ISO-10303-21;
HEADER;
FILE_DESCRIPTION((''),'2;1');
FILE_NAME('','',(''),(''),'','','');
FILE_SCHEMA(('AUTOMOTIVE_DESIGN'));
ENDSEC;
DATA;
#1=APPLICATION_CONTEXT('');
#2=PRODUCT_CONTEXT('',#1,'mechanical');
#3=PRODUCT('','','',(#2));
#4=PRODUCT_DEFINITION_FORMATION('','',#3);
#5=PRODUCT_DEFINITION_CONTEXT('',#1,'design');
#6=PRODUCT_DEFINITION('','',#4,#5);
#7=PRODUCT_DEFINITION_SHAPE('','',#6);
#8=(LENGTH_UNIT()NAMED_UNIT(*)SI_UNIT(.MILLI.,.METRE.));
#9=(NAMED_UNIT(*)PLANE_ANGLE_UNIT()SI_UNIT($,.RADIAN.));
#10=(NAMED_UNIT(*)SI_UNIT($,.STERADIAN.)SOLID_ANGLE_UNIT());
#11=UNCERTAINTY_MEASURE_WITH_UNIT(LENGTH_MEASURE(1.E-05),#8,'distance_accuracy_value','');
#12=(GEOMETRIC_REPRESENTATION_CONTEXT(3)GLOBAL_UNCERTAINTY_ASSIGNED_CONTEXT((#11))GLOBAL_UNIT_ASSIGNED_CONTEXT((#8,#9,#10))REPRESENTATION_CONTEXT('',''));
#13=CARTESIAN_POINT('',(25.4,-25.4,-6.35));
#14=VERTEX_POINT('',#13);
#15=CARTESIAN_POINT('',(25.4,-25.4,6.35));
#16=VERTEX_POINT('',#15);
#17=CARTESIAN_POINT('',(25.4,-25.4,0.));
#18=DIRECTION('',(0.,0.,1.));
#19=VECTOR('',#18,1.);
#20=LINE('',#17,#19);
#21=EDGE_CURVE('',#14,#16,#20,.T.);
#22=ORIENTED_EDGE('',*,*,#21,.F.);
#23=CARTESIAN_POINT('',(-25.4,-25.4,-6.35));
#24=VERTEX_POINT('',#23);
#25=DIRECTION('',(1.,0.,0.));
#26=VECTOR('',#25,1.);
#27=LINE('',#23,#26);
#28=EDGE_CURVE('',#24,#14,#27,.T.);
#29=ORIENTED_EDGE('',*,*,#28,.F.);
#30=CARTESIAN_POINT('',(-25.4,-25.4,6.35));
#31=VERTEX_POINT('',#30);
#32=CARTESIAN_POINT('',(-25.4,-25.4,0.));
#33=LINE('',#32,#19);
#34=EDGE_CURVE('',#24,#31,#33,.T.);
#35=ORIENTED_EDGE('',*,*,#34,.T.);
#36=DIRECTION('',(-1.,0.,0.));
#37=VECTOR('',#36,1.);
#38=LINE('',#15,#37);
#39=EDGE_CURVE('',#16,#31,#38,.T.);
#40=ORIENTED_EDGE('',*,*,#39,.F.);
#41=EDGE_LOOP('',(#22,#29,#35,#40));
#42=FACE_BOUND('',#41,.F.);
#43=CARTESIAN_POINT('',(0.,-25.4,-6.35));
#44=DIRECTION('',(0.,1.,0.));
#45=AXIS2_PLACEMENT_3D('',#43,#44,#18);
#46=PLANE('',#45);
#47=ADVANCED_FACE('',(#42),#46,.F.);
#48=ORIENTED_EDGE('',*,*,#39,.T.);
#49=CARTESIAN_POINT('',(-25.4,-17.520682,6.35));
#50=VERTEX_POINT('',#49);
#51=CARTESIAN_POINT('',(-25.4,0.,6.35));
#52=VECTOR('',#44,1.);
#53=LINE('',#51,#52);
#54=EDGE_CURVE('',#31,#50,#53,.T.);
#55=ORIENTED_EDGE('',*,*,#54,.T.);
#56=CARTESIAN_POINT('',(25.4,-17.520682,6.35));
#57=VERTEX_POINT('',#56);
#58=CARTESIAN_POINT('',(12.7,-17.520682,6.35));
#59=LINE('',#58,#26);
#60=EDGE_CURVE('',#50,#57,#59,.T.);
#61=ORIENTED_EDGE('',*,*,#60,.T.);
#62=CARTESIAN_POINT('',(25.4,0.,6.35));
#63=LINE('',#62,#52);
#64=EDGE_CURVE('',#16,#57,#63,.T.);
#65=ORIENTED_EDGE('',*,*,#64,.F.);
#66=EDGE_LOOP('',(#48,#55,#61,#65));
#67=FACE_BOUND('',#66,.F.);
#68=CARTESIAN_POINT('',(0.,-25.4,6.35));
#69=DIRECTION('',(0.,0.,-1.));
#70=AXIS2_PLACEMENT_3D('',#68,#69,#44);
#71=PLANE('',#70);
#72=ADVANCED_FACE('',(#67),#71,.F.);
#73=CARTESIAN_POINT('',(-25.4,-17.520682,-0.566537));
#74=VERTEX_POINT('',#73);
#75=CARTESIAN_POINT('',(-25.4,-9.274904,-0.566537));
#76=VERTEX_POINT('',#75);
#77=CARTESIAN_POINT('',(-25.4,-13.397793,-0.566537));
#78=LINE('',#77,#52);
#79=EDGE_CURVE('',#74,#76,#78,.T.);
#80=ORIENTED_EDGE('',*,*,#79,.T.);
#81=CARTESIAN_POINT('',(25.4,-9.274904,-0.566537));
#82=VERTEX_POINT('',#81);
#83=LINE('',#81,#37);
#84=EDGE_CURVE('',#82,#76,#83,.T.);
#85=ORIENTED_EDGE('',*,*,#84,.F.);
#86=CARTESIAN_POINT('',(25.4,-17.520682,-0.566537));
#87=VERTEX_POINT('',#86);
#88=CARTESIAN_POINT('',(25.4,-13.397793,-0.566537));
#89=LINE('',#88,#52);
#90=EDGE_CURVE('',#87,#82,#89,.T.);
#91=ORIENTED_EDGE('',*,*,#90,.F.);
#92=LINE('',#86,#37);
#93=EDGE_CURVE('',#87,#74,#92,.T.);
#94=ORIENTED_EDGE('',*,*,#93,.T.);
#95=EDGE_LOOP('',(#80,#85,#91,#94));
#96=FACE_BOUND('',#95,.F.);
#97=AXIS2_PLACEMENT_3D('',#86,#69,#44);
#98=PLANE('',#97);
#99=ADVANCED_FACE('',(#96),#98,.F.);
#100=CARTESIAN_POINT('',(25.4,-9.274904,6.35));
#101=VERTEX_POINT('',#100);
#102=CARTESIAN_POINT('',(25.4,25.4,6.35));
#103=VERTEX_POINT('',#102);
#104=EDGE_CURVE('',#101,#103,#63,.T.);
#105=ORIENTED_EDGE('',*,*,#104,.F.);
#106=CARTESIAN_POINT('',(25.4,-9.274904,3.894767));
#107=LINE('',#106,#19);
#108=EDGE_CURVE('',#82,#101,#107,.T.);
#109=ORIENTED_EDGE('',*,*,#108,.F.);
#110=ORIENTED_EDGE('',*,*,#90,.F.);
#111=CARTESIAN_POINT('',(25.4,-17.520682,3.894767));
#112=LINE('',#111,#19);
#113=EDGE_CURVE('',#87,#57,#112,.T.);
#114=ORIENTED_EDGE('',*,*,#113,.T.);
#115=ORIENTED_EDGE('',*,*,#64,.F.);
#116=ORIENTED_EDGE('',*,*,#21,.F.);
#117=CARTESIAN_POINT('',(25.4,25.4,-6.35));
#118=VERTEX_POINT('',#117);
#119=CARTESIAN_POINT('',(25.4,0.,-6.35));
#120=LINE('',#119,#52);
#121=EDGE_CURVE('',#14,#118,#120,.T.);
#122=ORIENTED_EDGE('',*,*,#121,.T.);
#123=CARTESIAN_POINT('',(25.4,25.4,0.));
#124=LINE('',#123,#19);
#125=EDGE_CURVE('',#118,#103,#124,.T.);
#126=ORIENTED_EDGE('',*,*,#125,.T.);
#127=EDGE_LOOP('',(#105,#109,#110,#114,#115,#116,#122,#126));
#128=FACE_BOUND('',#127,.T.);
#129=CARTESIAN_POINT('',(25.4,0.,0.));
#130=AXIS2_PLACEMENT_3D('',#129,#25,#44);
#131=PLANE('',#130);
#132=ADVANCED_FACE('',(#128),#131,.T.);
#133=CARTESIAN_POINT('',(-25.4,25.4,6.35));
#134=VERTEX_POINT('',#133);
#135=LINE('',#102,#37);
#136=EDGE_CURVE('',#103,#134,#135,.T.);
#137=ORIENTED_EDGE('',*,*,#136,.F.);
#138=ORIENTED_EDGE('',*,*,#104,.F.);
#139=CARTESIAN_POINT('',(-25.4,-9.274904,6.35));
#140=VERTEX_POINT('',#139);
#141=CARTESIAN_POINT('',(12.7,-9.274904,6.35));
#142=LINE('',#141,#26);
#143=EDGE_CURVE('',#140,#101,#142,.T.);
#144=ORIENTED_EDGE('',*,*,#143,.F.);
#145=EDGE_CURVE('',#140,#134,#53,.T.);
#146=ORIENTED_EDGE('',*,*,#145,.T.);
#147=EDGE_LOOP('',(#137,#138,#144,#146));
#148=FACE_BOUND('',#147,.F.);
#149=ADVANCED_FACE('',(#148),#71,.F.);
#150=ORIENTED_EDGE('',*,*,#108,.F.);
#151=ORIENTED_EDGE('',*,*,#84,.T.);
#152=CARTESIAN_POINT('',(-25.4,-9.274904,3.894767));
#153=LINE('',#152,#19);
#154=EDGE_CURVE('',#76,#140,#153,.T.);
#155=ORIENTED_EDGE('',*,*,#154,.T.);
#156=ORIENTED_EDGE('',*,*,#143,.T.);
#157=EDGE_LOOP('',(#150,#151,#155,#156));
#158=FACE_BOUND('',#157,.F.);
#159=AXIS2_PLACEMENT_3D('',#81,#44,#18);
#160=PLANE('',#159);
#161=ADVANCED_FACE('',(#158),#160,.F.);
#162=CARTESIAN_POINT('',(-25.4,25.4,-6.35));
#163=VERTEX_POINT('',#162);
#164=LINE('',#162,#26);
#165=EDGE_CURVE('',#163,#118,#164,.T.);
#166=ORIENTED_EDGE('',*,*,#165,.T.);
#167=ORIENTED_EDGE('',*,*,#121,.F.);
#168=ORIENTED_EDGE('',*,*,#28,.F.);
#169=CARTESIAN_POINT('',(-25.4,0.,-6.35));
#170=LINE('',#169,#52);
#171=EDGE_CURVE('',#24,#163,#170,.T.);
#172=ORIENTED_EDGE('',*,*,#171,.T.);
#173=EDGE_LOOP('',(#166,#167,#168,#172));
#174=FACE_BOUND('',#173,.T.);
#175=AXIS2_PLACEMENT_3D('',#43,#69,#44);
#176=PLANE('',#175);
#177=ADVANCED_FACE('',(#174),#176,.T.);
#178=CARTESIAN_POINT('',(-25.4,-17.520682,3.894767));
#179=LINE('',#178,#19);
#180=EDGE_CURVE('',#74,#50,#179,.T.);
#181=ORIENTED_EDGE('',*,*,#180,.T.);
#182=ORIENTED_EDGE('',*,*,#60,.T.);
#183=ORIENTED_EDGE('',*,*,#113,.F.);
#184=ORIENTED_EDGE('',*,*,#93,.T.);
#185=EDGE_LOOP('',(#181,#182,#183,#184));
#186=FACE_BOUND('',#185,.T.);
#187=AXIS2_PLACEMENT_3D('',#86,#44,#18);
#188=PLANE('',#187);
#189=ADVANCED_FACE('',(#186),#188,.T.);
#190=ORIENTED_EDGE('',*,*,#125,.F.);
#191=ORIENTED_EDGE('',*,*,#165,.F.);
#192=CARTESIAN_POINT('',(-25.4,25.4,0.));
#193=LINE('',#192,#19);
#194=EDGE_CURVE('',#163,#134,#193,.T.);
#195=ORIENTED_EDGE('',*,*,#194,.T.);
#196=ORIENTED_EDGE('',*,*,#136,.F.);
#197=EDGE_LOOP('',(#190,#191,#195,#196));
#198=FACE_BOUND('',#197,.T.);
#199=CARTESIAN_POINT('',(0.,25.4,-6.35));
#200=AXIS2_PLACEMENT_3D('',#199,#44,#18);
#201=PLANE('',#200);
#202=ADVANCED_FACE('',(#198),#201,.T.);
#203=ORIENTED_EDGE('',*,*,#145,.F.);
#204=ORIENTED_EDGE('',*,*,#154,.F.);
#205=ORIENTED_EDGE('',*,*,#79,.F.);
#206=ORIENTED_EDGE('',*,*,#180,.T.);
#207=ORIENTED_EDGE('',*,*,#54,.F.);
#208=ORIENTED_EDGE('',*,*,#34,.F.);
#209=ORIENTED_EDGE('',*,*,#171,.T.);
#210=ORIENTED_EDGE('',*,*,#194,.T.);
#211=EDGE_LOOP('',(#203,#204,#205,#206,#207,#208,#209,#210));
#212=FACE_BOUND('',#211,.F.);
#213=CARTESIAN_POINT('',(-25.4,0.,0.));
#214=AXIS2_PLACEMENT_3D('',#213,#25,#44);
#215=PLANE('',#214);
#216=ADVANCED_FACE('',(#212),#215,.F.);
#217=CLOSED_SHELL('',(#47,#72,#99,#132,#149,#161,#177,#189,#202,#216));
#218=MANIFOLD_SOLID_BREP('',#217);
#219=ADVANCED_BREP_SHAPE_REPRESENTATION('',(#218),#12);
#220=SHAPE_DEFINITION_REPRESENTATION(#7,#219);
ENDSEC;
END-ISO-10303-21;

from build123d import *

# Parameters (mm, degrees)
F0_W          = 50.8
F0_H          = 12.7
F1_DEPTH      = 25.4
F1_DEPTH_BACK = 25.4
F2_W          = 8.245779
F2_H          = 8.922608
F3_DEPTH      = 50.8


with BuildPart() as f1:
    # F0 (on Right) → F1 (new body, two sides)
    with BuildSketch(Plane.YZ) as f1_sk:
        Rectangle(F0_W, F0_H)
    extrude(amount=F1_DEPTH)
    extrude(f1_sk.sketch, amount=-F1_DEPTH_BACK)

    # F2 (on face) → F3 (cut)
    with BuildSketch(Plane.YZ.offset(25.4)):
        with Locations((-13.397793, 3.894767)):
            Rectangle(F2_W, F2_H)
    extrude(amount=-F3_DEPTH, mode=Mode.SUBTRACT)


solid = f1.part
